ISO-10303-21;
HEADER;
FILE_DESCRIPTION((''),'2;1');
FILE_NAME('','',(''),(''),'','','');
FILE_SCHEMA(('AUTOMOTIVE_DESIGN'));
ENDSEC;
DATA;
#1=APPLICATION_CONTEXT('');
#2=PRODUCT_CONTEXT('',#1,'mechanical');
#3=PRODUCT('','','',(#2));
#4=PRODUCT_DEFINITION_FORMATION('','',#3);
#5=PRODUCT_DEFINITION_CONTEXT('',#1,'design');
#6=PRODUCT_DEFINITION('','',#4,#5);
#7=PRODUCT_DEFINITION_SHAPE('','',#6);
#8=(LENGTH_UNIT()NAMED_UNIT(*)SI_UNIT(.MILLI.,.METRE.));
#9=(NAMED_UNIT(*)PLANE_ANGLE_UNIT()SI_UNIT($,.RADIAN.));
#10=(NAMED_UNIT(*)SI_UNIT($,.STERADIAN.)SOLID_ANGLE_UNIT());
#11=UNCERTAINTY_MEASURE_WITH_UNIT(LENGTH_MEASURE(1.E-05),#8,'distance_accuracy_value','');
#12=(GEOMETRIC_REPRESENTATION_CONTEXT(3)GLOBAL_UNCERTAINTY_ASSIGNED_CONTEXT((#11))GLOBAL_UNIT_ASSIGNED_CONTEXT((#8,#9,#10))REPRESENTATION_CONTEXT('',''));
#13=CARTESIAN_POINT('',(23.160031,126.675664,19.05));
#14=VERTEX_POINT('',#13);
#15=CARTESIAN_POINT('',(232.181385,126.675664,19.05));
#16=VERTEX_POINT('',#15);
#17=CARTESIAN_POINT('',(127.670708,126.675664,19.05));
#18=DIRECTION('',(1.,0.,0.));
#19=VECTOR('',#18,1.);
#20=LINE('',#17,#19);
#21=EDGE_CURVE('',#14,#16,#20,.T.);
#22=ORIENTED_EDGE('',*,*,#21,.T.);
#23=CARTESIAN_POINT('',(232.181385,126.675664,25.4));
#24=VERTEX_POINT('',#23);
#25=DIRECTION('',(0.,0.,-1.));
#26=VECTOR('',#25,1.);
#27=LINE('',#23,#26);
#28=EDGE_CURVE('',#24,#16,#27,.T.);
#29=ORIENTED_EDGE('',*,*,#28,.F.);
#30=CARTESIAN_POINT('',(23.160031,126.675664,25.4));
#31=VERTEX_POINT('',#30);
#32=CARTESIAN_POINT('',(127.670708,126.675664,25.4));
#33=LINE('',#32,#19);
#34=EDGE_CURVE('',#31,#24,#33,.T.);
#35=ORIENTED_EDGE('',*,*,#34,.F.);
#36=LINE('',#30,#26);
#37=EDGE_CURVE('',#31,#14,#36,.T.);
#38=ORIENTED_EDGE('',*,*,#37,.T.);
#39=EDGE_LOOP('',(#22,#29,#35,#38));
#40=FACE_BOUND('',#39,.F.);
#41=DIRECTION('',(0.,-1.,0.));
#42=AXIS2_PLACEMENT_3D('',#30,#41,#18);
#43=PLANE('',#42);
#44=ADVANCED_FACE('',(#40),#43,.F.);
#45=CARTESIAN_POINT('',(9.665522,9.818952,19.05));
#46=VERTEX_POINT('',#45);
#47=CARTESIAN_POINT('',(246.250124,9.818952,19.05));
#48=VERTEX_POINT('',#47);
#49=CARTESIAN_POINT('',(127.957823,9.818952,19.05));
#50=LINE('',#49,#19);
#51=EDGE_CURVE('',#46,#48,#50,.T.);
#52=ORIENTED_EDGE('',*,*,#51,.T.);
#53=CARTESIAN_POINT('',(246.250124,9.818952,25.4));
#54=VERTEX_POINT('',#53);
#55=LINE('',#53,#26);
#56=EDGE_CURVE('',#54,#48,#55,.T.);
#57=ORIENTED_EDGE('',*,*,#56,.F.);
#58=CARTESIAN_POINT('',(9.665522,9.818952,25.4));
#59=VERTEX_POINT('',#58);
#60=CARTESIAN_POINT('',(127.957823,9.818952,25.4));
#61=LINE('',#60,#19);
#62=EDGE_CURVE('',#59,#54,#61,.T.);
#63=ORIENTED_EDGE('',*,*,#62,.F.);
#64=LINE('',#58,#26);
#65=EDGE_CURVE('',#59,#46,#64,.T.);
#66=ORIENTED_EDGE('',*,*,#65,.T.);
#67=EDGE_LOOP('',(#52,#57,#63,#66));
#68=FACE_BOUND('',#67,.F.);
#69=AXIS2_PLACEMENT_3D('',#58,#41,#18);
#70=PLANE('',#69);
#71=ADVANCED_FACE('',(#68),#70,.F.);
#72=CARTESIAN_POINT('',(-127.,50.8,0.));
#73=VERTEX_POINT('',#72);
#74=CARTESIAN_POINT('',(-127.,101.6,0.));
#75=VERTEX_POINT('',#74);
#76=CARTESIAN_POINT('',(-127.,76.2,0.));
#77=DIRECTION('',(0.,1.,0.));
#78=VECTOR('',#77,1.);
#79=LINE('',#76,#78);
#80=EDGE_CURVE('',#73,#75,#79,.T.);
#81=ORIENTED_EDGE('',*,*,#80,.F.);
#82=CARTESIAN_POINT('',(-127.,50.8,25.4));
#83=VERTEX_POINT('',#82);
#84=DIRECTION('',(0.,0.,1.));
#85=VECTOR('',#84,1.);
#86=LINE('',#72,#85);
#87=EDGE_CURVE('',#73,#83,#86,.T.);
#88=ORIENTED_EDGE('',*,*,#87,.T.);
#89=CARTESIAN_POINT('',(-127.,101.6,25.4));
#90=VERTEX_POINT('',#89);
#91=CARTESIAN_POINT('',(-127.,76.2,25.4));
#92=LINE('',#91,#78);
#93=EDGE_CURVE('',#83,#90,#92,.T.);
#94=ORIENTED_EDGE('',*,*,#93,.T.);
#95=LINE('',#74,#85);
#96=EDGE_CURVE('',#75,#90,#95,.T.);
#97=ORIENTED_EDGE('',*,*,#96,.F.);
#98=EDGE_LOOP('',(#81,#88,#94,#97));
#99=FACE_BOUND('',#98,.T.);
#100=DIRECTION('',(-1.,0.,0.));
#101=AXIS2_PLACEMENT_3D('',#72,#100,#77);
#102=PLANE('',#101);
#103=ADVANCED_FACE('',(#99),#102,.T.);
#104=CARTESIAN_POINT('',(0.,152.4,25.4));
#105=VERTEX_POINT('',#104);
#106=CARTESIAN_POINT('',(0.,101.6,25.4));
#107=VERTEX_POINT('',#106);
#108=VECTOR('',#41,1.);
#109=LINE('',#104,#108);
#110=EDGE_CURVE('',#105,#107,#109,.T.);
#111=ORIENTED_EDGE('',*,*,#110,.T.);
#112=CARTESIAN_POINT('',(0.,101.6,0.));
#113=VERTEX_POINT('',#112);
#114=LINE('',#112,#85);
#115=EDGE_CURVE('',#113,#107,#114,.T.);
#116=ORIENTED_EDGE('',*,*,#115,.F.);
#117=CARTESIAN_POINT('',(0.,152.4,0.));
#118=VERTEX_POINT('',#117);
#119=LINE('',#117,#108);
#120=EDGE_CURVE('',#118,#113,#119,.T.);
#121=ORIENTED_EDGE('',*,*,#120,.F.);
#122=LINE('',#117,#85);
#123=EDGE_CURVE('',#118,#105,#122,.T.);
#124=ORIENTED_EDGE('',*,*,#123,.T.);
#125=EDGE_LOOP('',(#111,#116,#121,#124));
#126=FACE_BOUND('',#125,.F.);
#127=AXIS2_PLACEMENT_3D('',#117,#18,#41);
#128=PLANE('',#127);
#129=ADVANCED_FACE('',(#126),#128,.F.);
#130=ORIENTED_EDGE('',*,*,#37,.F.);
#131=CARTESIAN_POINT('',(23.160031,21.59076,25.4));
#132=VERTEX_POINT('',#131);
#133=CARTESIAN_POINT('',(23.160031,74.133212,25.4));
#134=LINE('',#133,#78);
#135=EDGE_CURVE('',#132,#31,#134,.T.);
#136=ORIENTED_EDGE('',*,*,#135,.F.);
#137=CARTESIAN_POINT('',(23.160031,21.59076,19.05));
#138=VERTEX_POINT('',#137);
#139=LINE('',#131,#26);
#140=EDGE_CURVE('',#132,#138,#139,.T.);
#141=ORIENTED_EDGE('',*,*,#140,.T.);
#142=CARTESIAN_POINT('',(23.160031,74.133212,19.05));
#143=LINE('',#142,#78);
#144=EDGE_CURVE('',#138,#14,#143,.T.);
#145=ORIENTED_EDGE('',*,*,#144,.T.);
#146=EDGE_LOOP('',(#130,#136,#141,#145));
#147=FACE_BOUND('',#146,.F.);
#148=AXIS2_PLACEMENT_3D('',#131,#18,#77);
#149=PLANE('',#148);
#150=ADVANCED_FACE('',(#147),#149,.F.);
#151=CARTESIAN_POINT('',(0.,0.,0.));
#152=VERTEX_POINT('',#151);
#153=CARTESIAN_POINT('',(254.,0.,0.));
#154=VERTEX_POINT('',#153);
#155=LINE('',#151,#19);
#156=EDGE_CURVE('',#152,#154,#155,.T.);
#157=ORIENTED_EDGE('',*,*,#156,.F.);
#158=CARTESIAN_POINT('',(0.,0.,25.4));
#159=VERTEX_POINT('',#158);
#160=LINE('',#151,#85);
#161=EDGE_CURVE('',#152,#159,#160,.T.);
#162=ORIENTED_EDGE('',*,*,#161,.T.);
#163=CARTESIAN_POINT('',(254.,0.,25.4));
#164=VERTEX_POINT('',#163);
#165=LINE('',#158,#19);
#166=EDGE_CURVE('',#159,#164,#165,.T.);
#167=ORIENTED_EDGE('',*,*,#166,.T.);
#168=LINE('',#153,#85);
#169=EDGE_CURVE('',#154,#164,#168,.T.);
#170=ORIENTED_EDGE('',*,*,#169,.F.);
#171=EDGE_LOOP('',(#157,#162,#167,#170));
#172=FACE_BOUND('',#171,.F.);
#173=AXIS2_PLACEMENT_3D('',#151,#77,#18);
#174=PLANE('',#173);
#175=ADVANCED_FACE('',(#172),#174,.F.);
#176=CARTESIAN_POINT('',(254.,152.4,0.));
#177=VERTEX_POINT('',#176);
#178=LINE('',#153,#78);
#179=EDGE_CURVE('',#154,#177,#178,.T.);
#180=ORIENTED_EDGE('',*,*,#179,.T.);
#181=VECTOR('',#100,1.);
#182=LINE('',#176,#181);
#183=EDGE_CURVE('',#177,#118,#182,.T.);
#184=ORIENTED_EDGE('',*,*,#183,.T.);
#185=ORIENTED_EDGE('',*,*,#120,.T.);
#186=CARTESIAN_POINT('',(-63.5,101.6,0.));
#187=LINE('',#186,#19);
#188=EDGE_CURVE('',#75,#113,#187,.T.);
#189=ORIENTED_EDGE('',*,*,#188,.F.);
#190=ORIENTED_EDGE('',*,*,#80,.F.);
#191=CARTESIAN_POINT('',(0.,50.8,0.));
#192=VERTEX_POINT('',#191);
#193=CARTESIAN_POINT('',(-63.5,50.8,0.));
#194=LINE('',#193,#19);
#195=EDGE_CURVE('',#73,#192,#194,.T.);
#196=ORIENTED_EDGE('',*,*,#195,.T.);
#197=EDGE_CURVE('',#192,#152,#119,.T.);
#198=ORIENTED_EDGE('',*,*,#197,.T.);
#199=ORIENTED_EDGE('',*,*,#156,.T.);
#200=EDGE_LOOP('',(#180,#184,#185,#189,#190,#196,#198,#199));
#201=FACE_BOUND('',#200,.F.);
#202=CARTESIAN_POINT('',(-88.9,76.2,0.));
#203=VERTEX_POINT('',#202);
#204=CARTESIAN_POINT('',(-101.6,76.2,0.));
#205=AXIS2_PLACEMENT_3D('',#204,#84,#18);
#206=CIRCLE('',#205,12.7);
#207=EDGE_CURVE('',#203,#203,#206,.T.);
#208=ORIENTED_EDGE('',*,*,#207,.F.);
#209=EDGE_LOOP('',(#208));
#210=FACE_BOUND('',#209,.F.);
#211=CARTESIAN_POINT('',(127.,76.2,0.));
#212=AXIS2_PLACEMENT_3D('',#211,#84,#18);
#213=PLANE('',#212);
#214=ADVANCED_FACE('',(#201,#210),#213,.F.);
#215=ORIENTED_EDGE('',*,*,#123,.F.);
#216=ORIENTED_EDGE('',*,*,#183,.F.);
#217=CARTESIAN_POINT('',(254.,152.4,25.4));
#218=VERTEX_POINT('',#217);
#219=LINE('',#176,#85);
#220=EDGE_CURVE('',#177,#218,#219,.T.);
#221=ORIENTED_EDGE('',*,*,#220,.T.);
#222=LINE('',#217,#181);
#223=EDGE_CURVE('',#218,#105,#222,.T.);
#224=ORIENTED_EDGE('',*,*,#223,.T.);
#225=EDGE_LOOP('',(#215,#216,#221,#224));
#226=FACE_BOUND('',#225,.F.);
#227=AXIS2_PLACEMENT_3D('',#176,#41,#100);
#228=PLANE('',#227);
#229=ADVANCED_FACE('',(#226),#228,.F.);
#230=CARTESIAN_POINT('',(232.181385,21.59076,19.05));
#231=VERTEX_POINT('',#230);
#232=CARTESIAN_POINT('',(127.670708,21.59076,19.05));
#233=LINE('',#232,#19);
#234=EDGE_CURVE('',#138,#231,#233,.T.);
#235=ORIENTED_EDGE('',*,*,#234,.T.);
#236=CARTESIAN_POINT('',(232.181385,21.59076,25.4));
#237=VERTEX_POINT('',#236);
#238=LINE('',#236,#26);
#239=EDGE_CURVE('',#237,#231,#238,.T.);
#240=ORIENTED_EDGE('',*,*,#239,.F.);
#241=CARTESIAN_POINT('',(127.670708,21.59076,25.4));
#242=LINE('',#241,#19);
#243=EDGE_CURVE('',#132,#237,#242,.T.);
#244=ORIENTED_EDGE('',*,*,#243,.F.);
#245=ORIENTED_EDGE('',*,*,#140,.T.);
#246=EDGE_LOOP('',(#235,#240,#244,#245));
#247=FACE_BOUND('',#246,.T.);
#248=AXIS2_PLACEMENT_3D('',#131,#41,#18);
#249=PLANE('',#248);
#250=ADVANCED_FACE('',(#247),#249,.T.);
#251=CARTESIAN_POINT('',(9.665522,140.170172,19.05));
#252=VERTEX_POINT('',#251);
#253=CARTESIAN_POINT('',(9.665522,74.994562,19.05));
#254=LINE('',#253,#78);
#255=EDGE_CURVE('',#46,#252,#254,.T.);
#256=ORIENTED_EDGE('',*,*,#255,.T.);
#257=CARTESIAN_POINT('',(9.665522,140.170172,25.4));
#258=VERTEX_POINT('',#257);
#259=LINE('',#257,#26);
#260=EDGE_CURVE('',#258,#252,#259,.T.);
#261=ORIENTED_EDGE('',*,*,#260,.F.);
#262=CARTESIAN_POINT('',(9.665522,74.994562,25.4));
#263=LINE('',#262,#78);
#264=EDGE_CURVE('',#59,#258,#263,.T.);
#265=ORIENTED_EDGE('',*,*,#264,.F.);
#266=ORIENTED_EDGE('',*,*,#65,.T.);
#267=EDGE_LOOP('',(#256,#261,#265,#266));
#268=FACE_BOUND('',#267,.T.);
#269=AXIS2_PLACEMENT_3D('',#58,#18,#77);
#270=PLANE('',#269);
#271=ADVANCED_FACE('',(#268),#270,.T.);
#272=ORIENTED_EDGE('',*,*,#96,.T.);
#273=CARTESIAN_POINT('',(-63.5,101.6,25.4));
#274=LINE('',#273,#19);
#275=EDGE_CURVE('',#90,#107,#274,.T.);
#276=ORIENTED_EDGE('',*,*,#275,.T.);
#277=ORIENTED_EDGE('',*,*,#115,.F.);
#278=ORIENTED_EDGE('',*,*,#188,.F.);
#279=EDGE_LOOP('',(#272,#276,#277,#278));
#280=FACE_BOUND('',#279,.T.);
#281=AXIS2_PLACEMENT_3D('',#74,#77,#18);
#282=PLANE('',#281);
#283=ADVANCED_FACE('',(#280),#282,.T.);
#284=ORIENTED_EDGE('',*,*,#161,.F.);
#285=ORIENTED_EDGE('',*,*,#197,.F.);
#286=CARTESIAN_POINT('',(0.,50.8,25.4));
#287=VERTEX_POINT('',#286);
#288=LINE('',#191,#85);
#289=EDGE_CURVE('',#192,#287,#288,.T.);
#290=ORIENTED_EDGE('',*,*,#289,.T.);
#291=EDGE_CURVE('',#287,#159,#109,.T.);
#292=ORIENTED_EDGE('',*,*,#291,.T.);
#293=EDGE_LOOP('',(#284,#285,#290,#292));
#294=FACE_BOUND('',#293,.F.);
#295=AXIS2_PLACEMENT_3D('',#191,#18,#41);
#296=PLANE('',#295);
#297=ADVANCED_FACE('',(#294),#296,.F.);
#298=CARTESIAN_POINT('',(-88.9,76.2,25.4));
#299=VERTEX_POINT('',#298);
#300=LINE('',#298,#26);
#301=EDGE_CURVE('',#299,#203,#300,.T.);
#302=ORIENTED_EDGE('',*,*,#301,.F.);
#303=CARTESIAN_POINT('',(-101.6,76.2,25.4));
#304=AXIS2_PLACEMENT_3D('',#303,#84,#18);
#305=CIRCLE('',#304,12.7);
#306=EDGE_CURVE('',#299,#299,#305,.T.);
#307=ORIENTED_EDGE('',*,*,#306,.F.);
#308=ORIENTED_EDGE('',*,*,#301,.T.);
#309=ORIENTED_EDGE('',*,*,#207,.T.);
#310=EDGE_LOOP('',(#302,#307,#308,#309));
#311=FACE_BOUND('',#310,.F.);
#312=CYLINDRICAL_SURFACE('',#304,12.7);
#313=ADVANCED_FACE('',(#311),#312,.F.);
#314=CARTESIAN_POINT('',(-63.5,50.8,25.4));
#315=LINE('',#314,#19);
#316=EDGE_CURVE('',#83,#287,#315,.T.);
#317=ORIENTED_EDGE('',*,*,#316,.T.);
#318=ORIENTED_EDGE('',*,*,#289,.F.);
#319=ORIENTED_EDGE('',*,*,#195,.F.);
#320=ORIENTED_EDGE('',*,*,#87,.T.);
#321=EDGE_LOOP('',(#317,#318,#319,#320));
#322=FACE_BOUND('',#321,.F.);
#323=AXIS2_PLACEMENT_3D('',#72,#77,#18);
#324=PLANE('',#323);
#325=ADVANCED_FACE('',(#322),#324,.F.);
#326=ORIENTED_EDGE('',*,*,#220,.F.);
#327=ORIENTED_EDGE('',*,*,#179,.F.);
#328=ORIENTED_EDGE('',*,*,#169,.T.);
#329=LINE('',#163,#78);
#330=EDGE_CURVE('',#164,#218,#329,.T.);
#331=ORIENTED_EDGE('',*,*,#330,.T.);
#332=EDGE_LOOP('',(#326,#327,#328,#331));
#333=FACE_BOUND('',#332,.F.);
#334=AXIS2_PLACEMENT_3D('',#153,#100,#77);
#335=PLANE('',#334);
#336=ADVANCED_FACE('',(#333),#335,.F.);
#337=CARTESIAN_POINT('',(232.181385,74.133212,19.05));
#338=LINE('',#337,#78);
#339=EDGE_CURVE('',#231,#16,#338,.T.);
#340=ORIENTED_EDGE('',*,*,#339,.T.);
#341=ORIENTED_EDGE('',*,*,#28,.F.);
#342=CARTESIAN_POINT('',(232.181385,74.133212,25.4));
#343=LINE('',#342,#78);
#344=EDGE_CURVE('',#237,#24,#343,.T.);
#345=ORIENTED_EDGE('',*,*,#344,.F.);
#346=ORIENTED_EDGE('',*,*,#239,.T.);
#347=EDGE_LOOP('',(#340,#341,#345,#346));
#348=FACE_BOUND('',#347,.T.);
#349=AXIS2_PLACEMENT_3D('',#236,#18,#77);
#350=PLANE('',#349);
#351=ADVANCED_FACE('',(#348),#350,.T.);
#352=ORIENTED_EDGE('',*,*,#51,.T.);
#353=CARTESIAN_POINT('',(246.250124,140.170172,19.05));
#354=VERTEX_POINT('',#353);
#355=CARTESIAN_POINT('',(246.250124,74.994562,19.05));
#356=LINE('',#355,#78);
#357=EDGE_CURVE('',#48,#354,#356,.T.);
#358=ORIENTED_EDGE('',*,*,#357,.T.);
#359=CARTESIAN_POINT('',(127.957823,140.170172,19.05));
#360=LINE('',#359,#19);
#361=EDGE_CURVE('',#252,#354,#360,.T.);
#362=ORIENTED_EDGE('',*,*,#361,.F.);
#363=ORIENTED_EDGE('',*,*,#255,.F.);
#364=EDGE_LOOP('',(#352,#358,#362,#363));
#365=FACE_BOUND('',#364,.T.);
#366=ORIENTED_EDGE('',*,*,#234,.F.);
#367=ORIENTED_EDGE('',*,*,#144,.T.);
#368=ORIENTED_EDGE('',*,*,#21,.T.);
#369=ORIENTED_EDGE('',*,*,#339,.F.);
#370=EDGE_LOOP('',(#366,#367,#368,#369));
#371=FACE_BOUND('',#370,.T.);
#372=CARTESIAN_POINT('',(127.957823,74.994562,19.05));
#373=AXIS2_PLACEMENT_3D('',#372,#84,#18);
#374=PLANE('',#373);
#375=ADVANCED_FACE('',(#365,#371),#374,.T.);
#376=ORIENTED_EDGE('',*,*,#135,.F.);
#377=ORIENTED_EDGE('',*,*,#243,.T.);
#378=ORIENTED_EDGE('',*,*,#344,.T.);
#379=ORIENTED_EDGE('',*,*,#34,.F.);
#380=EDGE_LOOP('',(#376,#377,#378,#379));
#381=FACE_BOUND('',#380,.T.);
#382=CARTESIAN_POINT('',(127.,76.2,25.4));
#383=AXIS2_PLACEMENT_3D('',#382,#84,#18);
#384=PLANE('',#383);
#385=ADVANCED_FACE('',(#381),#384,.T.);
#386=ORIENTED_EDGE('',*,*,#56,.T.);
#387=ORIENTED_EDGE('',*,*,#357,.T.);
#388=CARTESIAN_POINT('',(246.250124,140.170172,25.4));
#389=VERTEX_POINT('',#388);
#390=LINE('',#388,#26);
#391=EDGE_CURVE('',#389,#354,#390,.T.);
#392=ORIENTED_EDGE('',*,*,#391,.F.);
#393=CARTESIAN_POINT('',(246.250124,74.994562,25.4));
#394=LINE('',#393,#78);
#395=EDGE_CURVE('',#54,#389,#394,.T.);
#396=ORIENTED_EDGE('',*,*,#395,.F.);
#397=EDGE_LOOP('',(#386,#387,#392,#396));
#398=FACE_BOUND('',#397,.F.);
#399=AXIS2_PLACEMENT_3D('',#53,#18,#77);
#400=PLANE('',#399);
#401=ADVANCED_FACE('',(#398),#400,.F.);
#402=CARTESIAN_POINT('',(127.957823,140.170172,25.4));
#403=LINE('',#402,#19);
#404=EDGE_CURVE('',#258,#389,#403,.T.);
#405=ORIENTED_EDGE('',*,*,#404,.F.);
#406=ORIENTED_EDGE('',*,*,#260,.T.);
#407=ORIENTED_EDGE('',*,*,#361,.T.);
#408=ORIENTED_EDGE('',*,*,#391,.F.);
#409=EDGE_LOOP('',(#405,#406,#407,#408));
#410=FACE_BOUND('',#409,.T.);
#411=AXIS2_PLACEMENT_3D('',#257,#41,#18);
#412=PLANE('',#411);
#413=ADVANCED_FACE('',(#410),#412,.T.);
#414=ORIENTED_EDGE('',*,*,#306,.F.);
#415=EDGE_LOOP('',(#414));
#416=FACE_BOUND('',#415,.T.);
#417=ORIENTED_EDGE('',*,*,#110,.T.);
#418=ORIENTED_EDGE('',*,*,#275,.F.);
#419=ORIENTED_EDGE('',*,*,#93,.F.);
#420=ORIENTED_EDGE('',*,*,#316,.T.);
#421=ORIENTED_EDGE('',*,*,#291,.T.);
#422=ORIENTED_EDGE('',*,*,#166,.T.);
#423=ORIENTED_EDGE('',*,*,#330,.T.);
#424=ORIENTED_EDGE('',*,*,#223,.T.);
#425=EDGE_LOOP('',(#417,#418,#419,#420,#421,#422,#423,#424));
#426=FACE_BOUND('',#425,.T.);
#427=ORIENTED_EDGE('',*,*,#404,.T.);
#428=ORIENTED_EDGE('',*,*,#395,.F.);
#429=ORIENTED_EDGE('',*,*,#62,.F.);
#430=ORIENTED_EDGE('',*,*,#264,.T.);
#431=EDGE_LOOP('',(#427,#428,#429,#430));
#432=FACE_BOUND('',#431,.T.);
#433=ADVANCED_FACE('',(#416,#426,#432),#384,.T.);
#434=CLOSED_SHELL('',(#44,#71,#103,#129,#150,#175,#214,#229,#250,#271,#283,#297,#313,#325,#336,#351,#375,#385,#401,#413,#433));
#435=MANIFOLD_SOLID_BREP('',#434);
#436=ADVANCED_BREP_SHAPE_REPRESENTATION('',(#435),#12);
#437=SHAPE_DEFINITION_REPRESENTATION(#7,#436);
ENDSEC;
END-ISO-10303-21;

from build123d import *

# Parameters (mm, degrees)
F0_W     = 127
F0_H     = 50.8
F1_DEPTH = 25.4
F2_R     = 12.7
F3_DEPTH = 25.4
F4_W     = 236.584601
F4_H     = 130.351219
F4_W_2   = 209.021354
F4_H_2   = 105.084905
F5_DEPTH = 6.35


with BuildPart() as f1:
    # F0 (on Top) → F1 (new body)
    with BuildSketch(Plane.XY):
        Polygon((0, 50.8), (0, 0), (254, 0), (254, 152.4), (0, 152.4), (0, 101.6), align=None)
        with Locations((-63.5, 76.2)):
            Rectangle(F0_W, F0_H)
    extrude(amount=F1_DEPTH)

    # F2 (on face) → F3 (cut)
    with BuildSketch(Plane.XY.offset(25.4)):
        with Locations((-101.6, 76.2)):
            Circle(F2_R)
    extrude(amount=-F3_DEPTH, mode=Mode.SUBTRACT)

    # F4 (on face) → F5 (cut)
    with BuildSketch(Plane.XY.offset(25.4)):
        with Locations((127.957823, 74.994562)):
            Rectangle(F4_W, F4_H)
        with Locations((127.670708, 74.133212)):
            Rectangle(F4_W_2, F4_H_2, mode=Mode.SUBTRACT)
    extrude(amount=-F5_DEPTH, mode=Mode.SUBTRACT)


solid = f1.part
